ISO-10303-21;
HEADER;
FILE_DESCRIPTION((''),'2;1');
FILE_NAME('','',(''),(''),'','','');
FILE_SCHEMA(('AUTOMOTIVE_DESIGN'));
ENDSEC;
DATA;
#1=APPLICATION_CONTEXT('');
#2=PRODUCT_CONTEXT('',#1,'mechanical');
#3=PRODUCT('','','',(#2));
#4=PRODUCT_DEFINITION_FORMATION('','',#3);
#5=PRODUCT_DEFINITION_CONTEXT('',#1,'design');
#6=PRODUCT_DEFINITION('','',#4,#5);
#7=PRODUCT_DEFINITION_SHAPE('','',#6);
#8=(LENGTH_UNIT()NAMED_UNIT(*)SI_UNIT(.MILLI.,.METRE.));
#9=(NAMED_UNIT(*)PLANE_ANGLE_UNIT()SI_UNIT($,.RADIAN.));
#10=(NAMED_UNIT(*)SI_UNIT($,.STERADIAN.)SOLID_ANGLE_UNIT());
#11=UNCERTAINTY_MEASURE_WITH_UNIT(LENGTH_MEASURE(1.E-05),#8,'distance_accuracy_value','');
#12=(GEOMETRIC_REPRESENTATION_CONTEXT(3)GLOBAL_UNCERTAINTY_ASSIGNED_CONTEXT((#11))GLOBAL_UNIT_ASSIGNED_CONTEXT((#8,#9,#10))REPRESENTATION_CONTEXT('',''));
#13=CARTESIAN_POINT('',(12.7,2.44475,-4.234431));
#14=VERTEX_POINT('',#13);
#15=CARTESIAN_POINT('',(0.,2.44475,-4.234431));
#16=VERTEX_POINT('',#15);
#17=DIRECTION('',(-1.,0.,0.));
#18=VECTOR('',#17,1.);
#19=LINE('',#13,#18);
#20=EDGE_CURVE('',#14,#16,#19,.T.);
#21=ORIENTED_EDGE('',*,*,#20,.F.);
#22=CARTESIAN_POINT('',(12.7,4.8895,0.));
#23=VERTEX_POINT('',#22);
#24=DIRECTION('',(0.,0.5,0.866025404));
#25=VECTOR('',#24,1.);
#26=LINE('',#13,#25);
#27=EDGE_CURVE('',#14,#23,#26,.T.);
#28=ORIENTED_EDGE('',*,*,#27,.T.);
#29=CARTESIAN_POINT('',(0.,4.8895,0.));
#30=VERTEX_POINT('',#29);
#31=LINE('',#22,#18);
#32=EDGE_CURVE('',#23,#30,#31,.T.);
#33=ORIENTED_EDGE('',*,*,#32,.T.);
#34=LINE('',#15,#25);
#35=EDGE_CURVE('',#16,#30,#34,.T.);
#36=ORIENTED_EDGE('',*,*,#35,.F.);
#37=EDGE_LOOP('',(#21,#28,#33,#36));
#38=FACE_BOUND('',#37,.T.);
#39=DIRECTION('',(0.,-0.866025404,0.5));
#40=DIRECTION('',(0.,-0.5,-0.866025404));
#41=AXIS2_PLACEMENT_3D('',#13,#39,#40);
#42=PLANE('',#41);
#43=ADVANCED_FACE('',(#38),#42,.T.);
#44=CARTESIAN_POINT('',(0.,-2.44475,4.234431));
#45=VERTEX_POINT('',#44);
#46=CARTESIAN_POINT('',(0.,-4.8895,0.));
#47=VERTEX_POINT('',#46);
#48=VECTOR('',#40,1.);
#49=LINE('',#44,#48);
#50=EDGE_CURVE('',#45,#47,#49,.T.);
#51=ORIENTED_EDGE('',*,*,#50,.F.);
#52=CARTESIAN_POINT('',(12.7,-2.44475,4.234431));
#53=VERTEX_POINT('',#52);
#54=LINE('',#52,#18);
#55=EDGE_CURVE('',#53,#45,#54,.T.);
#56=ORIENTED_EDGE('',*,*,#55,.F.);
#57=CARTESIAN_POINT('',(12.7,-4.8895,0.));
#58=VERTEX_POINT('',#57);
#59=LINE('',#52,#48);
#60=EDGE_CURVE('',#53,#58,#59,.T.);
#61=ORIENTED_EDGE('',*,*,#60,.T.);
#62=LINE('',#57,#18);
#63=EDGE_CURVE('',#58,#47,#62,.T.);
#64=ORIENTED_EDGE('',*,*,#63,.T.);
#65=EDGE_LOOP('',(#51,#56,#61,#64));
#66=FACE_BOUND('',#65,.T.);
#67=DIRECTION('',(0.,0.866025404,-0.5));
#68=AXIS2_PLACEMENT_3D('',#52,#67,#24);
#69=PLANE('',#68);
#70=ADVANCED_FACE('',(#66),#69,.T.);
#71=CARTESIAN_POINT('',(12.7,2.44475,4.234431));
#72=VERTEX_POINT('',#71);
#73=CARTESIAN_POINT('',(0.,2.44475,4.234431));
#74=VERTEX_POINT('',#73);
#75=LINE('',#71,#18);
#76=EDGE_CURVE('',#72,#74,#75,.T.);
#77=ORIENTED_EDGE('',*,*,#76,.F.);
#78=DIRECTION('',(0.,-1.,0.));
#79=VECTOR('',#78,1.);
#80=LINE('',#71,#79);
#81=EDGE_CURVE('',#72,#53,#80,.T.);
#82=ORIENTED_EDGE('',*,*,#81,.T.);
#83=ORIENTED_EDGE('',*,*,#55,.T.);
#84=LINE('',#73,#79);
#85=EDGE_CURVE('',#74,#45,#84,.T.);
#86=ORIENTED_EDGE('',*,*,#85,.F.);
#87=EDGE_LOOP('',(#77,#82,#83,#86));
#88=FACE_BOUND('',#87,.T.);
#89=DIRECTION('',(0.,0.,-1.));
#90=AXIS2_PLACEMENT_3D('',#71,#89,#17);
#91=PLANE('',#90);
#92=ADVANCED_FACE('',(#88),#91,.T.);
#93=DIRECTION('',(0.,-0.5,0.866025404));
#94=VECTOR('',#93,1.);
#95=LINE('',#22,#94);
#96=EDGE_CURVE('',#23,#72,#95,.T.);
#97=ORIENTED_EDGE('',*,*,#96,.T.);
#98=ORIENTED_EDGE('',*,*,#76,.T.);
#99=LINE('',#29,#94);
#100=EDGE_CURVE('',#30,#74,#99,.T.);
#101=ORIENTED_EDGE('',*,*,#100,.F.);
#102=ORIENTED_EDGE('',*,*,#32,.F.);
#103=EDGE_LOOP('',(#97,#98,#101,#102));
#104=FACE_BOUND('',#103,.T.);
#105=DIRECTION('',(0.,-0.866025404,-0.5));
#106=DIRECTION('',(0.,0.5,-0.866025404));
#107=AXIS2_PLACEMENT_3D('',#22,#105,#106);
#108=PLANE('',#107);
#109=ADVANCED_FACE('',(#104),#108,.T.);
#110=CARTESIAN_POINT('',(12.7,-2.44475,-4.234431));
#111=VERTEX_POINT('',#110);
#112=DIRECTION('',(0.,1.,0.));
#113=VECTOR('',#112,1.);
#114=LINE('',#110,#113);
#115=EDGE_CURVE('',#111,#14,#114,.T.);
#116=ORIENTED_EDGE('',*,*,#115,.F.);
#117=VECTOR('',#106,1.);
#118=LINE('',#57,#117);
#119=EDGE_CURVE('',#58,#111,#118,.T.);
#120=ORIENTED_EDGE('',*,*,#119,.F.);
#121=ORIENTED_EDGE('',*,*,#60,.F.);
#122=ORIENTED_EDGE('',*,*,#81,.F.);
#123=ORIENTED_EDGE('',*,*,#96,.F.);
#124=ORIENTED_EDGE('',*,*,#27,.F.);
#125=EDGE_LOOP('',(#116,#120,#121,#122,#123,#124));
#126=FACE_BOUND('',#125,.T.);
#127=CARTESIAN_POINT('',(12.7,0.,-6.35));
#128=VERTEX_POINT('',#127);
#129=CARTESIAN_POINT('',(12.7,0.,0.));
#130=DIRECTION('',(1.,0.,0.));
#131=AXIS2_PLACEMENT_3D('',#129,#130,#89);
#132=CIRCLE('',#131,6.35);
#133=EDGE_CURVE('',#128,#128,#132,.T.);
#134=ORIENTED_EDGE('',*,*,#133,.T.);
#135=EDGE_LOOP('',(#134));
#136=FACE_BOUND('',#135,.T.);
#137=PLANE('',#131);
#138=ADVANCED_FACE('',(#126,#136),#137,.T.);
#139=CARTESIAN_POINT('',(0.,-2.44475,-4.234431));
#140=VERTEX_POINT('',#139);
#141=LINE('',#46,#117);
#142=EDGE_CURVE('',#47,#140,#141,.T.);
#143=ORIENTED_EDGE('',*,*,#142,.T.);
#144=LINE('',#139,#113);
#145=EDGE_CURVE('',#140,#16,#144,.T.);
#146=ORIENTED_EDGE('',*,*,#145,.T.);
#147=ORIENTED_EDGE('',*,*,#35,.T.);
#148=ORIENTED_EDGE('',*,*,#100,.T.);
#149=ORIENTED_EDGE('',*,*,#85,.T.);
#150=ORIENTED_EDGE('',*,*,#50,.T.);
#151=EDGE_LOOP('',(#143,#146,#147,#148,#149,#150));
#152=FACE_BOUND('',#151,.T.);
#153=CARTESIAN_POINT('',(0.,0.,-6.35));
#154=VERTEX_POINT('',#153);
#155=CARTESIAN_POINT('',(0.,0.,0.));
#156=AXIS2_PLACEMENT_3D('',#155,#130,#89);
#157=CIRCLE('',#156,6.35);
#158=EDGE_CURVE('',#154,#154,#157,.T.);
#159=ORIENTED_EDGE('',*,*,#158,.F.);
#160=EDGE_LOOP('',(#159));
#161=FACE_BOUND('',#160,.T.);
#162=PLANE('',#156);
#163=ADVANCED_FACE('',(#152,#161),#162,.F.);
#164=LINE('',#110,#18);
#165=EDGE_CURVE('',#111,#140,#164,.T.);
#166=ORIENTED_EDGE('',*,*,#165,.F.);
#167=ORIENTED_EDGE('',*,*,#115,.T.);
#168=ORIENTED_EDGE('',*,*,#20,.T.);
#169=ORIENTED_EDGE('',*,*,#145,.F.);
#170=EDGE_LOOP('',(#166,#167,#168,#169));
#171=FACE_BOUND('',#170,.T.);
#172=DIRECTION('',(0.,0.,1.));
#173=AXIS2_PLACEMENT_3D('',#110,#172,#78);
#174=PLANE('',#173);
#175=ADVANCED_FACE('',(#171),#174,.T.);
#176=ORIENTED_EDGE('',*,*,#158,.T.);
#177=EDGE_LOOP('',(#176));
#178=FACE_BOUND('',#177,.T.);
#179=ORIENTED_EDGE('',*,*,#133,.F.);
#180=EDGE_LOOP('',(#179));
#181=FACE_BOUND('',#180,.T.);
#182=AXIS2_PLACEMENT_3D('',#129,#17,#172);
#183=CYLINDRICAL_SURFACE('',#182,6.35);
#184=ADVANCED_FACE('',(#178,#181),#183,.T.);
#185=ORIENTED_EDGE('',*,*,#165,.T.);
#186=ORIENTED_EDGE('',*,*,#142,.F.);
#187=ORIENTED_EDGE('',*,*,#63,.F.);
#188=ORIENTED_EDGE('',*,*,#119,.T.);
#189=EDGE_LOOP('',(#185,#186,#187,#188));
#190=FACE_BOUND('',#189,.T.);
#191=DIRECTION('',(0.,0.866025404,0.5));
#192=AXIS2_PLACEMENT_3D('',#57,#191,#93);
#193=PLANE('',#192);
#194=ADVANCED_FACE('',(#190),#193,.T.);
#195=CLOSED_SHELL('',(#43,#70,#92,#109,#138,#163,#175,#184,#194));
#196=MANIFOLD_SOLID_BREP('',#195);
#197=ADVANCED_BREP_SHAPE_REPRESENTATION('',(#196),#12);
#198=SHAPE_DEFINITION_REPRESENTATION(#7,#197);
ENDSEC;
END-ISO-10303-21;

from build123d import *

# Parameters (mm, degrees)
BUSHING_PROFILE_R = 6.35
BUSHING_DEPTH     = 12.7


with BuildPart() as part:
    # Bushing Profile → Bushing (new body)
    with BuildSketch(Plane(origin=(0, 0, 0), x_dir=(0, 0, -1), z_dir=(1, 0, 0))):
        Circle(BUSHING_PROFILE_R)
        Polygon((0, -4.8895), (4.234431212, -2.44475), (4.234431212, 2.44475), (0, 4.8895), (-4.234431212, 2.44475), (-4.234431212, -2.44475), align=None, mode=Mode.SUBTRACT)
    extrude(amount=BUSHING_DEPTH)


solid = part.part
